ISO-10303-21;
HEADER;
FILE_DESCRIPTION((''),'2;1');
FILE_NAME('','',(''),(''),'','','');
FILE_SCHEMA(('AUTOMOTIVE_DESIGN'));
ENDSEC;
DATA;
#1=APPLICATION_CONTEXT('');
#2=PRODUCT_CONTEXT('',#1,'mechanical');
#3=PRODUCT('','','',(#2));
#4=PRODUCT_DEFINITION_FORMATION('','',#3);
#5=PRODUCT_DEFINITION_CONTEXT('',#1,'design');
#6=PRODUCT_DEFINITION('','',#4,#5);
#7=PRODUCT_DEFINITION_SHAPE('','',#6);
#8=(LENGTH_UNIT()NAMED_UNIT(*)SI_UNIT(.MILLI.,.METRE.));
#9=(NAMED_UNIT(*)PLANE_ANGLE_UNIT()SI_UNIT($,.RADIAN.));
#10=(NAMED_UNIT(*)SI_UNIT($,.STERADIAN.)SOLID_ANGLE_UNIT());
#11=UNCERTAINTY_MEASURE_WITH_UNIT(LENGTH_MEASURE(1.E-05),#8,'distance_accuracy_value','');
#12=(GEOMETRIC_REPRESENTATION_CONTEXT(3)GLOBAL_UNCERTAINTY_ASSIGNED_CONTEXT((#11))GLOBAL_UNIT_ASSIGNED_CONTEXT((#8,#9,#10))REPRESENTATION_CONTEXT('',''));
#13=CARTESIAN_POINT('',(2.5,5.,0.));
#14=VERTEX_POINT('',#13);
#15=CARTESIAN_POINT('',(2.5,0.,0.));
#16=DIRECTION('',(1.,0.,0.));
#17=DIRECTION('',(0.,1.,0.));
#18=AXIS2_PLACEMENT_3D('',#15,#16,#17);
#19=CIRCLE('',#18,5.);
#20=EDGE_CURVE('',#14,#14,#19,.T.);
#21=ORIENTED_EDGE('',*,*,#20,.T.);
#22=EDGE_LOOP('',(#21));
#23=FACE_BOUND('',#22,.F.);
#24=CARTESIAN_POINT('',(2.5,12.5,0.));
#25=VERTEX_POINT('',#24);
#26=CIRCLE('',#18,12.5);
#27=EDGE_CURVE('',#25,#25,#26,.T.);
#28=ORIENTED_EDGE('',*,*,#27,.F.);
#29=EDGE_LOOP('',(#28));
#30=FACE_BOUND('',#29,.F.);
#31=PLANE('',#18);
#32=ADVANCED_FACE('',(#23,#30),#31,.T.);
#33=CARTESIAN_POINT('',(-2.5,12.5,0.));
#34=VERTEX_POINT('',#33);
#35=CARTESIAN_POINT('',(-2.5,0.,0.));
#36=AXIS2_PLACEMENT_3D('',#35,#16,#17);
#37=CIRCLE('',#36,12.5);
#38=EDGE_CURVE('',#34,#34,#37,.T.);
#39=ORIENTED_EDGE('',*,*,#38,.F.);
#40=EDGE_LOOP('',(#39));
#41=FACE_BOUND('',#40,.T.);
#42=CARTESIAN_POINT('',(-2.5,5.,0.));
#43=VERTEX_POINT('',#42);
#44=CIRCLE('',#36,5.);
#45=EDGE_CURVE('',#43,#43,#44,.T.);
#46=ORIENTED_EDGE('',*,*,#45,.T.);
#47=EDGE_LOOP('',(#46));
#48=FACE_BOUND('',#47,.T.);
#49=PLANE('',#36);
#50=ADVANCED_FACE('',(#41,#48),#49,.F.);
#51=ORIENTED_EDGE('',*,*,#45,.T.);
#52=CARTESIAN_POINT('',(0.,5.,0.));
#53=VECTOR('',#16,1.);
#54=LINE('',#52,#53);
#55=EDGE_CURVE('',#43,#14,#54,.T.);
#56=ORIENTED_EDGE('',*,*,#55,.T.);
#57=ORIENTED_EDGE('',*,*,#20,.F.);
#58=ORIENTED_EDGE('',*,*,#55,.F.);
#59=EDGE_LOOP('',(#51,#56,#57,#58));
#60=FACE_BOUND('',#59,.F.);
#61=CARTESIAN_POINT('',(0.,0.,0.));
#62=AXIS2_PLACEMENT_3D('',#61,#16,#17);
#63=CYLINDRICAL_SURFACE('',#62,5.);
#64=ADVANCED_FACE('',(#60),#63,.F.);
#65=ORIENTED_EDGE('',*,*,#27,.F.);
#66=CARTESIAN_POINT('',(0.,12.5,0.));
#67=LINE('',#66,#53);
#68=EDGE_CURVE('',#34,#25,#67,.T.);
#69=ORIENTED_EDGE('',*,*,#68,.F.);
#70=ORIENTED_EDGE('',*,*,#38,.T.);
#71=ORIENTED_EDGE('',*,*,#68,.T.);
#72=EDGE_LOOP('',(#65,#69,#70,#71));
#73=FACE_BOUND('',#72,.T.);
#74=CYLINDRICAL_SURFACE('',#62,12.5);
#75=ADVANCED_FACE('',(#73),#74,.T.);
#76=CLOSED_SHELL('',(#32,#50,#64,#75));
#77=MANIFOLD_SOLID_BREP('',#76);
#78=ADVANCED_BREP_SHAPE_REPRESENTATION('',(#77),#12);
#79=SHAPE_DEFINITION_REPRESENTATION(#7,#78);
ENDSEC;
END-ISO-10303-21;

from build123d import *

# Parameters (mm, degrees)
SKETCH1_W = 5
SKETCH1_H = 7.5


with BuildPart() as part:
    # Sketch1 → Revolve4 (revolve)
    with BuildSketch(Plane.XY):
        with Locations((0, 8.75)):
            Rectangle(SKETCH1_W, SKETCH1_H)
    revolve(axis=Axis((0, 0, 0), (1, 0, 0)))


solid = part.part
